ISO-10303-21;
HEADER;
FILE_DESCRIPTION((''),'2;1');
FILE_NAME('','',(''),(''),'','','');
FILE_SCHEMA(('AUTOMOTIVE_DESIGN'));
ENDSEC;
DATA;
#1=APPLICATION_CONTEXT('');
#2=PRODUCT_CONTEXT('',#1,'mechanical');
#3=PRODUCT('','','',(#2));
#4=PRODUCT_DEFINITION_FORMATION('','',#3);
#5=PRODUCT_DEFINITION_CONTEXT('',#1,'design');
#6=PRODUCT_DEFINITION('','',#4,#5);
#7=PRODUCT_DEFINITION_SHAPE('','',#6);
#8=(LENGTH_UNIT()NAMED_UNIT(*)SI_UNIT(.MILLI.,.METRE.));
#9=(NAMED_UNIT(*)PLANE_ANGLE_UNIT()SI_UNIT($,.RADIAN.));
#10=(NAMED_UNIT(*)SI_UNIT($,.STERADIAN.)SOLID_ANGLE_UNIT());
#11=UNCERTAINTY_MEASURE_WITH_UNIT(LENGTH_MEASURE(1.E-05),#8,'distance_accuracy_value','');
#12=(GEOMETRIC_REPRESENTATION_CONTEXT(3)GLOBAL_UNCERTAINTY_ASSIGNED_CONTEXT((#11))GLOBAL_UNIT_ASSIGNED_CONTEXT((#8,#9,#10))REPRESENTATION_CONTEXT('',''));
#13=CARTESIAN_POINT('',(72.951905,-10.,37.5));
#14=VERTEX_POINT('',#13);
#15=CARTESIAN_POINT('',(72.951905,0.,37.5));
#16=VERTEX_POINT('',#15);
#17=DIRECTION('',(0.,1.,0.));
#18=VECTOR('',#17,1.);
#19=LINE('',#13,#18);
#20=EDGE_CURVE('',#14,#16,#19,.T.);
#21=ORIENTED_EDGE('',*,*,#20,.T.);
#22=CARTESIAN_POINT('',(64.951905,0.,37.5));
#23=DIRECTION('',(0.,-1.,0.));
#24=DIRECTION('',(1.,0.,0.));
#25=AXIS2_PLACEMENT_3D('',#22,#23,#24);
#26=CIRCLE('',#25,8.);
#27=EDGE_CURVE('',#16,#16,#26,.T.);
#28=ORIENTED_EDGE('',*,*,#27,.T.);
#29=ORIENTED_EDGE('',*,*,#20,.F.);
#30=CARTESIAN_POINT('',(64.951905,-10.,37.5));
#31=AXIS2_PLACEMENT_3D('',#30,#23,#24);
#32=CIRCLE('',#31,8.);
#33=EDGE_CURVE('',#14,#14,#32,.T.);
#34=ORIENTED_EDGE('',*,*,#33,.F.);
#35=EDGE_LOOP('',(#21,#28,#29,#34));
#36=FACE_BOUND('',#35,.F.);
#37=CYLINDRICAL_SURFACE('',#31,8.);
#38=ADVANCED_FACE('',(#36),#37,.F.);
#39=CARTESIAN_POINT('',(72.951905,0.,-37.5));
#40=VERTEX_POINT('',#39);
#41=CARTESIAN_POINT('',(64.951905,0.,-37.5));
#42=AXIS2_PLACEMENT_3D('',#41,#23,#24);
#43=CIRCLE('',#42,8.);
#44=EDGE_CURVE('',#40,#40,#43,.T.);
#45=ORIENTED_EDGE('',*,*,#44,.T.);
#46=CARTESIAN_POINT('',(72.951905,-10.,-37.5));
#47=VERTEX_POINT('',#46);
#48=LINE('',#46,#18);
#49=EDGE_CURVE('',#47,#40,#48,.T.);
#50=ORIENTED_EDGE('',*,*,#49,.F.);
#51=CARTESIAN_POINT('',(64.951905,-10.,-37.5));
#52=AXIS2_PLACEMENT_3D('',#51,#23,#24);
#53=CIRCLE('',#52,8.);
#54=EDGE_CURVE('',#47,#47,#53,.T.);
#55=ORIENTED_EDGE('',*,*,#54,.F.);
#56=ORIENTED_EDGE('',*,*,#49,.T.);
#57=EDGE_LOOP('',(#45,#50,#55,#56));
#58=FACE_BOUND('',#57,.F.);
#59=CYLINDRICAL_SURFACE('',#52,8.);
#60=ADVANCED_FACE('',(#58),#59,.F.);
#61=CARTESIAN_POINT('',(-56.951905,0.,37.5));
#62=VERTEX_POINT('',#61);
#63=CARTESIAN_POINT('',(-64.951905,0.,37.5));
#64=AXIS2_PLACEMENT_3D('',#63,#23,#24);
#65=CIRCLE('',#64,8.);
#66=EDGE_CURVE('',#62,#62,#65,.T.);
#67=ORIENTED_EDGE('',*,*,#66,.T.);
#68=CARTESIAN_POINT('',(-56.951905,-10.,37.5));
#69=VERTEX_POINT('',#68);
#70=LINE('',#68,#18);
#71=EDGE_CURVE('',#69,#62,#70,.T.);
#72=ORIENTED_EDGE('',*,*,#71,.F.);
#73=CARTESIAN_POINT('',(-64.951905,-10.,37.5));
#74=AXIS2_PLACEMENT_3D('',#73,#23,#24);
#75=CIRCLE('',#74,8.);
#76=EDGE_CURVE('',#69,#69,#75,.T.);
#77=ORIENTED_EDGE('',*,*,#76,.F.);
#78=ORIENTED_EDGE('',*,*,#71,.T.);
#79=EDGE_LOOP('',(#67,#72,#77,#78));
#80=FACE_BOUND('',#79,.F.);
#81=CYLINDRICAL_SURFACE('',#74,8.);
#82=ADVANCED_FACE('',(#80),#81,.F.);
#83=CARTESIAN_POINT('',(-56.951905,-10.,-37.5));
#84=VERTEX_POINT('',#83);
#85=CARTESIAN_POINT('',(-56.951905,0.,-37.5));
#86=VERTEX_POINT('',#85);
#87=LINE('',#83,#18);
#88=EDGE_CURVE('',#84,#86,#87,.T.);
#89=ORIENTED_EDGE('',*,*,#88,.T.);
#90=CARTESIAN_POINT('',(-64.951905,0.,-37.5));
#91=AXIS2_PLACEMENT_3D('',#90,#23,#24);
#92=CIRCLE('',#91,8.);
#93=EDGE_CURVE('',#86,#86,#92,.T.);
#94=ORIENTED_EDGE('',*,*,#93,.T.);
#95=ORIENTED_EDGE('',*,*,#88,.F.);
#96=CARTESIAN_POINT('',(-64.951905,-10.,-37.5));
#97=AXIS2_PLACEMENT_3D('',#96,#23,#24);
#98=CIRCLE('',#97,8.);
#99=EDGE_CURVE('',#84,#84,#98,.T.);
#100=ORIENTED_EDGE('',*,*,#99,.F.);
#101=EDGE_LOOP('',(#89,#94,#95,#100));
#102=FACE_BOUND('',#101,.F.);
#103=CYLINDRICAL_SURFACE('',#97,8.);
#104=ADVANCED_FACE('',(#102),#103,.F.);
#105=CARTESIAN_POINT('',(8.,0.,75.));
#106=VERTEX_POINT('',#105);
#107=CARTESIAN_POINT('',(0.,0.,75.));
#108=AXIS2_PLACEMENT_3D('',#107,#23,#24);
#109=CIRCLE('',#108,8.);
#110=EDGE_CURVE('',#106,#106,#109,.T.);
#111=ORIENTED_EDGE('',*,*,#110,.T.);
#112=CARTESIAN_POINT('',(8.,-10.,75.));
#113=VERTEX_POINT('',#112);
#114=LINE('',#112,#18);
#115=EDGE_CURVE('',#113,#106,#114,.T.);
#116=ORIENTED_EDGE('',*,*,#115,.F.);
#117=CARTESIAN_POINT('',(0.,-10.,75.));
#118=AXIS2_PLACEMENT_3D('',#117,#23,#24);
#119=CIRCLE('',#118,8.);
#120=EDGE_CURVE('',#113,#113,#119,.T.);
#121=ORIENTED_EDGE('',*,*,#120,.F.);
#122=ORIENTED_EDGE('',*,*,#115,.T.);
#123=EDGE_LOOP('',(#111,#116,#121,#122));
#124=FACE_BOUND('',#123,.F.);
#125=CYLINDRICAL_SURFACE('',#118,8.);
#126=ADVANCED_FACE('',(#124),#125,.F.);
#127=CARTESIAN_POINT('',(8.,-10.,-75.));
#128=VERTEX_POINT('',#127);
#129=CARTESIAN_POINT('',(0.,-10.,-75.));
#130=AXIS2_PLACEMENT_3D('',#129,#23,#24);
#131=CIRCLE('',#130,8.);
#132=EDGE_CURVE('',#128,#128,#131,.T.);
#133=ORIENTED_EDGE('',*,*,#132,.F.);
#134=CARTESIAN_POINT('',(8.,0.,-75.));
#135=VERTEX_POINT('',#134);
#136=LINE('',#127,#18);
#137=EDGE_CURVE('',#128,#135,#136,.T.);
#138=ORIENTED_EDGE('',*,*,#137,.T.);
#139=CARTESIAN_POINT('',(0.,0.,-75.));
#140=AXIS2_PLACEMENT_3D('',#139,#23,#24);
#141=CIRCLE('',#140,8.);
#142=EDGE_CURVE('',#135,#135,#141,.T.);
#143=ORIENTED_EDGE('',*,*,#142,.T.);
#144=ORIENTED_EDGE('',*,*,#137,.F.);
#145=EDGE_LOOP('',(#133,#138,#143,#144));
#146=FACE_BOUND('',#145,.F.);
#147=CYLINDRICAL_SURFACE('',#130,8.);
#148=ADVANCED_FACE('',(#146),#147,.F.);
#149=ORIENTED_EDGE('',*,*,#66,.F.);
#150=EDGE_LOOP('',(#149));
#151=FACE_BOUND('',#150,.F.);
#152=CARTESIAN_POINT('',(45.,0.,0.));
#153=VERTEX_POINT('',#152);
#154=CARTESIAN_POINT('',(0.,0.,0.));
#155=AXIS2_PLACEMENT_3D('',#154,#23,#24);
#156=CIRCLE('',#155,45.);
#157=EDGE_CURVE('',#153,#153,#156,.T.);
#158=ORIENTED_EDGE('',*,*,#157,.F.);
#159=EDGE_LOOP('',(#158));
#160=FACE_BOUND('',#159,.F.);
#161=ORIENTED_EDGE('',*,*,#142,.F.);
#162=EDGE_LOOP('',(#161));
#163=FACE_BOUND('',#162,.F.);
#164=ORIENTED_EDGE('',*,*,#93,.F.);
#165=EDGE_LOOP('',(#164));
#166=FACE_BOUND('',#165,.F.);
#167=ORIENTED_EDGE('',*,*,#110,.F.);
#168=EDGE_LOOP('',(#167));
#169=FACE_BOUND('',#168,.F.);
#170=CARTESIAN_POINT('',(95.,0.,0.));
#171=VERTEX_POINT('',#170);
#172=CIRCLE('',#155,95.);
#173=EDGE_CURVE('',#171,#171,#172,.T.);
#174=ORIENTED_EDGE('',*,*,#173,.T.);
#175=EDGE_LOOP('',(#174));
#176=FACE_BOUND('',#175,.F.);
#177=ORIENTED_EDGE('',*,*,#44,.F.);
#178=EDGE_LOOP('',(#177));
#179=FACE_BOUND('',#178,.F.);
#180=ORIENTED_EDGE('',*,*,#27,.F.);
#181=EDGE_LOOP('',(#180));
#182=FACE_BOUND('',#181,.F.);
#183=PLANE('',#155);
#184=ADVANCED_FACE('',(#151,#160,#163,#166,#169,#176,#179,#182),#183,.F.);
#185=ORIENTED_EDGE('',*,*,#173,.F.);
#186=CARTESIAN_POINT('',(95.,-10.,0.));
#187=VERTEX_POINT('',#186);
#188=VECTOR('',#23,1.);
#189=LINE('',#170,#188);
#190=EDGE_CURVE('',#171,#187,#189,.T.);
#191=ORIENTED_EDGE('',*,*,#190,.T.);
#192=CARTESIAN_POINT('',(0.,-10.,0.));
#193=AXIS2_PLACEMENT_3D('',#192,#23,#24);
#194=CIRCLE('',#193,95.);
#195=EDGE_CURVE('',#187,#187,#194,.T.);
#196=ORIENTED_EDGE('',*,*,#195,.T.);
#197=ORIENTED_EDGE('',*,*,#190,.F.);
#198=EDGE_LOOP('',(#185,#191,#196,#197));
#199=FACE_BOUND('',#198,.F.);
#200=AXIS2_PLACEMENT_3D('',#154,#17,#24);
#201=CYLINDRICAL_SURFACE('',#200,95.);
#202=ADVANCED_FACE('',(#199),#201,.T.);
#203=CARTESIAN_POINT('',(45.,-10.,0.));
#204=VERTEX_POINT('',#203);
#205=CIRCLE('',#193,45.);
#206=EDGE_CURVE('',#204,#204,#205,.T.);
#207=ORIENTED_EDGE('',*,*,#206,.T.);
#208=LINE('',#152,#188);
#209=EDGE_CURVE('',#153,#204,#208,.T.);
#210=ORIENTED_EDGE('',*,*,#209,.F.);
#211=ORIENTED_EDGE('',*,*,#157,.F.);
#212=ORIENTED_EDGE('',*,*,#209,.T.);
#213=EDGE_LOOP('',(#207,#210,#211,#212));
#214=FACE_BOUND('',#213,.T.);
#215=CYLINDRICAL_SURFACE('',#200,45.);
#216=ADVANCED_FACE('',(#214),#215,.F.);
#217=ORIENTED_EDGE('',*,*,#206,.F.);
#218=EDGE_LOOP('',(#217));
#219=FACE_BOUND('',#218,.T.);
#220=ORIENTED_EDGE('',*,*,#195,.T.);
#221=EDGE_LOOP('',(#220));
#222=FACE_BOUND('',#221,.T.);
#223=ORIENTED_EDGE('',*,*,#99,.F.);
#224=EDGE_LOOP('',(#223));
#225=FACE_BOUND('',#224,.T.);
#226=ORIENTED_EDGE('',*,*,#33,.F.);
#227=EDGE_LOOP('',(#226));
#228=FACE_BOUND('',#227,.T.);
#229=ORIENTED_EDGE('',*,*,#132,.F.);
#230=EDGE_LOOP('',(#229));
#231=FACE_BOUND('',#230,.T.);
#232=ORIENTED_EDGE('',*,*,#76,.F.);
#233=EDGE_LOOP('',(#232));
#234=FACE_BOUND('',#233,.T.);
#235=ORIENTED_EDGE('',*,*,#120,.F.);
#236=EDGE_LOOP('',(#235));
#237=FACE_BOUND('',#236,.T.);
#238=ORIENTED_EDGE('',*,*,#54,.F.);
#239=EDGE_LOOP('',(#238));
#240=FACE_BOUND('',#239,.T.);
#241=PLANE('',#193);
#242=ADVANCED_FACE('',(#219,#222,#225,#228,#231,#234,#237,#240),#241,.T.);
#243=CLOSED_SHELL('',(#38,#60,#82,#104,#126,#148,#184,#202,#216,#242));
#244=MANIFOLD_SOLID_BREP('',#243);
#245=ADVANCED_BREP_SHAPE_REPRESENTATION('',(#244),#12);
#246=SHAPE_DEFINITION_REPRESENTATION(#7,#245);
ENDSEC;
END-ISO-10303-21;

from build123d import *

# Parameters (mm, degrees)
F0_R     = 95
F0_R_2   = 45
F1_DEPTH = 10
F2_R     = 8
F3_DEPTH = 25


with BuildPart() as f1:
    # F0 (on Front) → F1 (new body)
    with BuildSketch(Plane.XZ):
        Circle(F0_R)
        Circle(F0_R_2, mode=Mode.SUBTRACT)
    extrude(amount=F1_DEPTH)

    # F2 (on face) → F3 (cut)
    with BuildSketch(Plane.XZ.offset(10)):
        with Locations((0, 75)):
            Circle(F2_R)
        with Locations((64.951905, 37.5)):
            Circle(F2_R)
        with Locations((64.951905, -37.5)):
            Circle(F2_R)
        with Locations((0, -75)):
            Circle(F2_R)
        with Locations((-64.951905, -37.5)):
            Circle(F2_R)
        with Locations((-64.951905, 37.5)):
            Circle(F2_R)
    extrude(amount=-F3_DEPTH, mode=Mode.SUBTRACT)


solid = f1.part
